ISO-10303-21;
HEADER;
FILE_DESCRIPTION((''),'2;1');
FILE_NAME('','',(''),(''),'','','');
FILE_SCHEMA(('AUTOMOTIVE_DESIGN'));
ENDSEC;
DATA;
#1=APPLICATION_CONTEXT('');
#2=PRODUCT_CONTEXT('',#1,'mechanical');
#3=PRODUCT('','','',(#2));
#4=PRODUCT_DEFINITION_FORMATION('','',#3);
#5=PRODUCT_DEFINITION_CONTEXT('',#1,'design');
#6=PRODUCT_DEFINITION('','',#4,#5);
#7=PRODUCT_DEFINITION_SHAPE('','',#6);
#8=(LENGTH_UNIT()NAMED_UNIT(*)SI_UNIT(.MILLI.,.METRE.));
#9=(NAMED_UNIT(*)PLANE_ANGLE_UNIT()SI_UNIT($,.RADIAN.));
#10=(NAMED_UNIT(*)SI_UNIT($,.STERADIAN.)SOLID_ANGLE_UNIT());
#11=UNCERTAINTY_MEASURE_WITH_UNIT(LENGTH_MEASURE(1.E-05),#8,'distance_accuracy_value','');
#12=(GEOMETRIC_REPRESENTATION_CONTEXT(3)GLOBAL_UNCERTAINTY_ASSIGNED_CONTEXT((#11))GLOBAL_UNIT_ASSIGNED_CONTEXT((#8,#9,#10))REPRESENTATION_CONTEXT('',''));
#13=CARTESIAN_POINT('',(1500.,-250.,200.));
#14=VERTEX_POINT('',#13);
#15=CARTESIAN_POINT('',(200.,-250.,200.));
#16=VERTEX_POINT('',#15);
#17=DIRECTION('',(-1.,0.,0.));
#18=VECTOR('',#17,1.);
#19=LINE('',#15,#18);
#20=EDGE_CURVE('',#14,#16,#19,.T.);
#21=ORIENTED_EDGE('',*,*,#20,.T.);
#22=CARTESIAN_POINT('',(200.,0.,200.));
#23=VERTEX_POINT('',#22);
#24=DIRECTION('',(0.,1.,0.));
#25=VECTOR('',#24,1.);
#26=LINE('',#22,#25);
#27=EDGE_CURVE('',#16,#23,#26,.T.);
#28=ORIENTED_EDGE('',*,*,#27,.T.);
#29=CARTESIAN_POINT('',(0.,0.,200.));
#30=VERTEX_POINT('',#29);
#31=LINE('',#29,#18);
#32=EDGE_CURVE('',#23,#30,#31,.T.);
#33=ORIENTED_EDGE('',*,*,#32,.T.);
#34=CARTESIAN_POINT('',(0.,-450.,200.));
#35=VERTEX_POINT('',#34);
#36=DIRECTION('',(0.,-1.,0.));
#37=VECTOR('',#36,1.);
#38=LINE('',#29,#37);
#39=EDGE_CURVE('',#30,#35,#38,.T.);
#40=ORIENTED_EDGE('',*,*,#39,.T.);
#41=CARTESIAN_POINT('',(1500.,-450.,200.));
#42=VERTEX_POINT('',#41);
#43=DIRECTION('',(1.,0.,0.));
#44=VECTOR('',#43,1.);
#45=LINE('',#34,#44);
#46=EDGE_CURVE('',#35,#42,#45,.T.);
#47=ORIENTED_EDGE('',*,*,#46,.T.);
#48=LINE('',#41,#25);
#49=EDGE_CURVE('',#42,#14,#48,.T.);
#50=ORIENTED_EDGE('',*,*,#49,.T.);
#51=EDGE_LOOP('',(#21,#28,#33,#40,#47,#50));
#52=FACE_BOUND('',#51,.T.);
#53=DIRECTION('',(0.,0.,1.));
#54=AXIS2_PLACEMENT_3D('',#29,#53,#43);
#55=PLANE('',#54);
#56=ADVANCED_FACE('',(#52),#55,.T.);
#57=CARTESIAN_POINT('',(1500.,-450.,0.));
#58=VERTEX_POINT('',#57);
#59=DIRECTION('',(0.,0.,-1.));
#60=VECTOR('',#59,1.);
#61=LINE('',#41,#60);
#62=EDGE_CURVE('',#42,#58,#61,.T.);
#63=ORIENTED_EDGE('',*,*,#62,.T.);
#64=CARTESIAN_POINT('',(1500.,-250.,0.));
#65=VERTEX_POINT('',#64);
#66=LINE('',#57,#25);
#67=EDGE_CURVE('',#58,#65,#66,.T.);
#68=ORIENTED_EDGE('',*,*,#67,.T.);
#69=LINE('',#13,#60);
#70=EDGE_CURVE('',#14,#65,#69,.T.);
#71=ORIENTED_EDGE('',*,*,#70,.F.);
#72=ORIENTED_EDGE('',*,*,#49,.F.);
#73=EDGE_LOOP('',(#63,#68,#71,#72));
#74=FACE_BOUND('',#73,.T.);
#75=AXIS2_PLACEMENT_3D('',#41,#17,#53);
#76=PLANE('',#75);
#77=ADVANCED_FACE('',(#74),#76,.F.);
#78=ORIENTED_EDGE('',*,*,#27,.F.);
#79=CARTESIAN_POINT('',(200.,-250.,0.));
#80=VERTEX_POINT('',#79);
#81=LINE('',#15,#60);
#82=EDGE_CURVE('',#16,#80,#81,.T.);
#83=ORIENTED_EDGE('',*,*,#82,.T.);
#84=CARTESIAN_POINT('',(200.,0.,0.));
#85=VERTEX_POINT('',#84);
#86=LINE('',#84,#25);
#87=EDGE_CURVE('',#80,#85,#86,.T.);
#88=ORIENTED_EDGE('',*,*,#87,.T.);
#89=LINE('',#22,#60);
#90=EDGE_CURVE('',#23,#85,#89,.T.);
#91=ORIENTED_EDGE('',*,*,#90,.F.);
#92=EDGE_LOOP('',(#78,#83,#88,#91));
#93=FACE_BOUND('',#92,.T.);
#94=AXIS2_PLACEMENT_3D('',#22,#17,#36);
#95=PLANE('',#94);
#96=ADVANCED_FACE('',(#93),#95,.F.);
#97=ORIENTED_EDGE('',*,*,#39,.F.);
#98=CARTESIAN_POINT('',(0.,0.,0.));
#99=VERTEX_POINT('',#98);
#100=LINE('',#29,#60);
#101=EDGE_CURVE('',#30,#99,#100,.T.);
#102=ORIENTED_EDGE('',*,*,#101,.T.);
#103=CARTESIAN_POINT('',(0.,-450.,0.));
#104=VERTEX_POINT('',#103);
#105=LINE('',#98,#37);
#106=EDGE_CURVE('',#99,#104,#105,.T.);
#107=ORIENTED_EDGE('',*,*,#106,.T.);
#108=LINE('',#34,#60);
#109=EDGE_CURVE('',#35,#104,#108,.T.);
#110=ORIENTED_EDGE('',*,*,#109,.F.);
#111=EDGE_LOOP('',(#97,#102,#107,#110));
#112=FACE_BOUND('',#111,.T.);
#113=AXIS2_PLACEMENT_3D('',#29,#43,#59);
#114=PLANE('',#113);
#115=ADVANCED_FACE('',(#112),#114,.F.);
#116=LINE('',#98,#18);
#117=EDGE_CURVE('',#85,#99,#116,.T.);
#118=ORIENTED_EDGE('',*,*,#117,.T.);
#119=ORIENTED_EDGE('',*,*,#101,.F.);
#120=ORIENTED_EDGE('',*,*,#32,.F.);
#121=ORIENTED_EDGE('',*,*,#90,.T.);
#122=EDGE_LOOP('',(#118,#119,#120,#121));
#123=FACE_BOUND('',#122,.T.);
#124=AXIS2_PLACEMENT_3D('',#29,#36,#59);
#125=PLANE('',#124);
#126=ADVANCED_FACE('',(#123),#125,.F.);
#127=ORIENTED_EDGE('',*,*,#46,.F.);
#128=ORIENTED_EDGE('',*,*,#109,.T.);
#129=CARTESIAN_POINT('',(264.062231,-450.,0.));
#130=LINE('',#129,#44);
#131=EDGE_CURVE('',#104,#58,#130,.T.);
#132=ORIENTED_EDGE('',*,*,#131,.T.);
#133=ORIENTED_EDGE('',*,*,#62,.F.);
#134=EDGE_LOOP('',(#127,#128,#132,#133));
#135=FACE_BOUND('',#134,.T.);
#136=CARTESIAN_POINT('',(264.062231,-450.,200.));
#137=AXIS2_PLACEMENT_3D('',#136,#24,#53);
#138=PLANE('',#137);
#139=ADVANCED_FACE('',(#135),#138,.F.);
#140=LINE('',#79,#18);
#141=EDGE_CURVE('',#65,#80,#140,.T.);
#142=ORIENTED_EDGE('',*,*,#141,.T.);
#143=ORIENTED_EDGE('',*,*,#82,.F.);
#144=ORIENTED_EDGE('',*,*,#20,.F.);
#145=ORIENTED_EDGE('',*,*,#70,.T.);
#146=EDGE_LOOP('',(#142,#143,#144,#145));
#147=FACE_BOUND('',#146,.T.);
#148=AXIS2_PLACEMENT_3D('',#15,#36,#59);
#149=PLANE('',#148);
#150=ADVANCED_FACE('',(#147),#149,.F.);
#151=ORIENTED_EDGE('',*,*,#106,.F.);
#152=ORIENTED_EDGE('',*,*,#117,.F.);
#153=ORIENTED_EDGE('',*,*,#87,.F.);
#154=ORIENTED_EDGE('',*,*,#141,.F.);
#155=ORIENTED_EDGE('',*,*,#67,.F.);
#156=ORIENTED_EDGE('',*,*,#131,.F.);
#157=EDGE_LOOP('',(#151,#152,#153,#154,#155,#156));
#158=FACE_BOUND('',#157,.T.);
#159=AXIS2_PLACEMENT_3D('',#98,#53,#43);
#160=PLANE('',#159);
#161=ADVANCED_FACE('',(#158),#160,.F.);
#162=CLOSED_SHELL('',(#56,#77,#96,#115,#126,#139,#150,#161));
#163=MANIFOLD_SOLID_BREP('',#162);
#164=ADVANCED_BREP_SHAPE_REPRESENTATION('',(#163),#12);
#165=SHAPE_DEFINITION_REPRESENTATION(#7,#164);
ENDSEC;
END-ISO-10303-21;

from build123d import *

# Parameters (mm, degrees)
BOSS_EXTRUDE1_DEPTH = 200


with BuildPart() as part:
    # Sketch1 → Boss-Extrude1 (new body)
    with BuildSketch(Plane.XY):
        Polygon((0, 0), (200, 0), (200, -250), (1500, -250), (1500, -450), (264.062231021, -450), (0, -450), align=None)
    extrude(amount=BOSS_EXTRUDE1_DEPTH)


solid = part.part
